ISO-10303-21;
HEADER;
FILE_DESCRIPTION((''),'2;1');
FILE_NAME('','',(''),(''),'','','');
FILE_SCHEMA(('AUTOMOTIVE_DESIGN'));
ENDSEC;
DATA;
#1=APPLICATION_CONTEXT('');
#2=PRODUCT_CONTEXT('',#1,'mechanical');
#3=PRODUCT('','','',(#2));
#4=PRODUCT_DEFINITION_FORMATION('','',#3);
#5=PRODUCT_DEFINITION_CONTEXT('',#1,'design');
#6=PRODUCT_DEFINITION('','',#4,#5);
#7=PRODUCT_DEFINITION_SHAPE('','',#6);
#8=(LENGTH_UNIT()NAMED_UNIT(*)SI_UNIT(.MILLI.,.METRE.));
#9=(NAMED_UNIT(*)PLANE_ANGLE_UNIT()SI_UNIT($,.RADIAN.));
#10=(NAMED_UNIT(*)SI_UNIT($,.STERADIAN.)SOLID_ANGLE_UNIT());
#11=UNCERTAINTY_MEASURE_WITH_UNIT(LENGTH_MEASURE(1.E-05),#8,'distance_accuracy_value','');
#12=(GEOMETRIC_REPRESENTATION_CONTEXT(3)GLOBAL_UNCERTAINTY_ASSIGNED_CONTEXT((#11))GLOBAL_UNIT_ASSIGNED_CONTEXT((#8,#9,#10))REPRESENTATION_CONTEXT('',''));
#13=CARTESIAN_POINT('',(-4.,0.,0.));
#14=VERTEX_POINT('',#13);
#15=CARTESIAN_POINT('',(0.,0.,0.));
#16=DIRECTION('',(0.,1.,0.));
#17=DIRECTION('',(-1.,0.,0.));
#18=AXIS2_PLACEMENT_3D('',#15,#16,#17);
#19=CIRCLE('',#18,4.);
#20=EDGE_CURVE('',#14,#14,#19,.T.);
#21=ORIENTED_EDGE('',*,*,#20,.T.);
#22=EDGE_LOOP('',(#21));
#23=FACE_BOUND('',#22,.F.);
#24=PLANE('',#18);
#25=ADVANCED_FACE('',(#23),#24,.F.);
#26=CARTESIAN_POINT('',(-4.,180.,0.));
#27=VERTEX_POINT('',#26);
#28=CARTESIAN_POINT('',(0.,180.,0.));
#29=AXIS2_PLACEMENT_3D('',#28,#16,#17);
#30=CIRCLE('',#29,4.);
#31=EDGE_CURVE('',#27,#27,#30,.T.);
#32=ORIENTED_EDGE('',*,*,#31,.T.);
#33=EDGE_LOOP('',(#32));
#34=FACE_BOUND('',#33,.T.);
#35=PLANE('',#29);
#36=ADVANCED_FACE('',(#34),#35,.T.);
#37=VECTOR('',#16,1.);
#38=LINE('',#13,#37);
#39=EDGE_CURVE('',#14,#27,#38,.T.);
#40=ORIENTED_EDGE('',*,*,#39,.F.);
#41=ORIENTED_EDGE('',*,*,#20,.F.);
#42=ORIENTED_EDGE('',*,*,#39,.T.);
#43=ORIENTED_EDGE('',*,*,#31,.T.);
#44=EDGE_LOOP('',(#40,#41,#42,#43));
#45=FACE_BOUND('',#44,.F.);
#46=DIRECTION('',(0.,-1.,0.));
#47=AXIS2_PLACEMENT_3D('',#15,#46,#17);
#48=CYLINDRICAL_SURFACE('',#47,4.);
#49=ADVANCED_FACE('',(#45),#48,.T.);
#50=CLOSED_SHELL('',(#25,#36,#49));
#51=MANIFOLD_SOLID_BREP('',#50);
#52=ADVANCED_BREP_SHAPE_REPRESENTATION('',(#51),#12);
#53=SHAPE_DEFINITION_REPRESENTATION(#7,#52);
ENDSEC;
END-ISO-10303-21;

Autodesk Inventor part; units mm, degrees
ref_plane "YZ Plane" through (0, 0, 0) normal (1, 0, 0) x (0, 1, 0)
ref_plane "XZ Plane" through (0, 0, 0) normal (0, 1, 0) x (-1, 0, 0)
ref_plane "XY Plane" through (0, 0, 0) normal (0, 0, 1) x (1, 0, 0)
sketch "Sketch1" plane through (0, 0, 0) normal (0, 1, 0) x (-1, 0, 0)
  circle A0 centre (0, 0) radius 4
  dimension "d0" = 8
extrude "Extrusion1" add sketch "Sketch1" along normal blind 180
thread "Thread1" size "M8x1.25" class "6g" standard "ISO Metric profile" full length
properties part number "Vit_me"
